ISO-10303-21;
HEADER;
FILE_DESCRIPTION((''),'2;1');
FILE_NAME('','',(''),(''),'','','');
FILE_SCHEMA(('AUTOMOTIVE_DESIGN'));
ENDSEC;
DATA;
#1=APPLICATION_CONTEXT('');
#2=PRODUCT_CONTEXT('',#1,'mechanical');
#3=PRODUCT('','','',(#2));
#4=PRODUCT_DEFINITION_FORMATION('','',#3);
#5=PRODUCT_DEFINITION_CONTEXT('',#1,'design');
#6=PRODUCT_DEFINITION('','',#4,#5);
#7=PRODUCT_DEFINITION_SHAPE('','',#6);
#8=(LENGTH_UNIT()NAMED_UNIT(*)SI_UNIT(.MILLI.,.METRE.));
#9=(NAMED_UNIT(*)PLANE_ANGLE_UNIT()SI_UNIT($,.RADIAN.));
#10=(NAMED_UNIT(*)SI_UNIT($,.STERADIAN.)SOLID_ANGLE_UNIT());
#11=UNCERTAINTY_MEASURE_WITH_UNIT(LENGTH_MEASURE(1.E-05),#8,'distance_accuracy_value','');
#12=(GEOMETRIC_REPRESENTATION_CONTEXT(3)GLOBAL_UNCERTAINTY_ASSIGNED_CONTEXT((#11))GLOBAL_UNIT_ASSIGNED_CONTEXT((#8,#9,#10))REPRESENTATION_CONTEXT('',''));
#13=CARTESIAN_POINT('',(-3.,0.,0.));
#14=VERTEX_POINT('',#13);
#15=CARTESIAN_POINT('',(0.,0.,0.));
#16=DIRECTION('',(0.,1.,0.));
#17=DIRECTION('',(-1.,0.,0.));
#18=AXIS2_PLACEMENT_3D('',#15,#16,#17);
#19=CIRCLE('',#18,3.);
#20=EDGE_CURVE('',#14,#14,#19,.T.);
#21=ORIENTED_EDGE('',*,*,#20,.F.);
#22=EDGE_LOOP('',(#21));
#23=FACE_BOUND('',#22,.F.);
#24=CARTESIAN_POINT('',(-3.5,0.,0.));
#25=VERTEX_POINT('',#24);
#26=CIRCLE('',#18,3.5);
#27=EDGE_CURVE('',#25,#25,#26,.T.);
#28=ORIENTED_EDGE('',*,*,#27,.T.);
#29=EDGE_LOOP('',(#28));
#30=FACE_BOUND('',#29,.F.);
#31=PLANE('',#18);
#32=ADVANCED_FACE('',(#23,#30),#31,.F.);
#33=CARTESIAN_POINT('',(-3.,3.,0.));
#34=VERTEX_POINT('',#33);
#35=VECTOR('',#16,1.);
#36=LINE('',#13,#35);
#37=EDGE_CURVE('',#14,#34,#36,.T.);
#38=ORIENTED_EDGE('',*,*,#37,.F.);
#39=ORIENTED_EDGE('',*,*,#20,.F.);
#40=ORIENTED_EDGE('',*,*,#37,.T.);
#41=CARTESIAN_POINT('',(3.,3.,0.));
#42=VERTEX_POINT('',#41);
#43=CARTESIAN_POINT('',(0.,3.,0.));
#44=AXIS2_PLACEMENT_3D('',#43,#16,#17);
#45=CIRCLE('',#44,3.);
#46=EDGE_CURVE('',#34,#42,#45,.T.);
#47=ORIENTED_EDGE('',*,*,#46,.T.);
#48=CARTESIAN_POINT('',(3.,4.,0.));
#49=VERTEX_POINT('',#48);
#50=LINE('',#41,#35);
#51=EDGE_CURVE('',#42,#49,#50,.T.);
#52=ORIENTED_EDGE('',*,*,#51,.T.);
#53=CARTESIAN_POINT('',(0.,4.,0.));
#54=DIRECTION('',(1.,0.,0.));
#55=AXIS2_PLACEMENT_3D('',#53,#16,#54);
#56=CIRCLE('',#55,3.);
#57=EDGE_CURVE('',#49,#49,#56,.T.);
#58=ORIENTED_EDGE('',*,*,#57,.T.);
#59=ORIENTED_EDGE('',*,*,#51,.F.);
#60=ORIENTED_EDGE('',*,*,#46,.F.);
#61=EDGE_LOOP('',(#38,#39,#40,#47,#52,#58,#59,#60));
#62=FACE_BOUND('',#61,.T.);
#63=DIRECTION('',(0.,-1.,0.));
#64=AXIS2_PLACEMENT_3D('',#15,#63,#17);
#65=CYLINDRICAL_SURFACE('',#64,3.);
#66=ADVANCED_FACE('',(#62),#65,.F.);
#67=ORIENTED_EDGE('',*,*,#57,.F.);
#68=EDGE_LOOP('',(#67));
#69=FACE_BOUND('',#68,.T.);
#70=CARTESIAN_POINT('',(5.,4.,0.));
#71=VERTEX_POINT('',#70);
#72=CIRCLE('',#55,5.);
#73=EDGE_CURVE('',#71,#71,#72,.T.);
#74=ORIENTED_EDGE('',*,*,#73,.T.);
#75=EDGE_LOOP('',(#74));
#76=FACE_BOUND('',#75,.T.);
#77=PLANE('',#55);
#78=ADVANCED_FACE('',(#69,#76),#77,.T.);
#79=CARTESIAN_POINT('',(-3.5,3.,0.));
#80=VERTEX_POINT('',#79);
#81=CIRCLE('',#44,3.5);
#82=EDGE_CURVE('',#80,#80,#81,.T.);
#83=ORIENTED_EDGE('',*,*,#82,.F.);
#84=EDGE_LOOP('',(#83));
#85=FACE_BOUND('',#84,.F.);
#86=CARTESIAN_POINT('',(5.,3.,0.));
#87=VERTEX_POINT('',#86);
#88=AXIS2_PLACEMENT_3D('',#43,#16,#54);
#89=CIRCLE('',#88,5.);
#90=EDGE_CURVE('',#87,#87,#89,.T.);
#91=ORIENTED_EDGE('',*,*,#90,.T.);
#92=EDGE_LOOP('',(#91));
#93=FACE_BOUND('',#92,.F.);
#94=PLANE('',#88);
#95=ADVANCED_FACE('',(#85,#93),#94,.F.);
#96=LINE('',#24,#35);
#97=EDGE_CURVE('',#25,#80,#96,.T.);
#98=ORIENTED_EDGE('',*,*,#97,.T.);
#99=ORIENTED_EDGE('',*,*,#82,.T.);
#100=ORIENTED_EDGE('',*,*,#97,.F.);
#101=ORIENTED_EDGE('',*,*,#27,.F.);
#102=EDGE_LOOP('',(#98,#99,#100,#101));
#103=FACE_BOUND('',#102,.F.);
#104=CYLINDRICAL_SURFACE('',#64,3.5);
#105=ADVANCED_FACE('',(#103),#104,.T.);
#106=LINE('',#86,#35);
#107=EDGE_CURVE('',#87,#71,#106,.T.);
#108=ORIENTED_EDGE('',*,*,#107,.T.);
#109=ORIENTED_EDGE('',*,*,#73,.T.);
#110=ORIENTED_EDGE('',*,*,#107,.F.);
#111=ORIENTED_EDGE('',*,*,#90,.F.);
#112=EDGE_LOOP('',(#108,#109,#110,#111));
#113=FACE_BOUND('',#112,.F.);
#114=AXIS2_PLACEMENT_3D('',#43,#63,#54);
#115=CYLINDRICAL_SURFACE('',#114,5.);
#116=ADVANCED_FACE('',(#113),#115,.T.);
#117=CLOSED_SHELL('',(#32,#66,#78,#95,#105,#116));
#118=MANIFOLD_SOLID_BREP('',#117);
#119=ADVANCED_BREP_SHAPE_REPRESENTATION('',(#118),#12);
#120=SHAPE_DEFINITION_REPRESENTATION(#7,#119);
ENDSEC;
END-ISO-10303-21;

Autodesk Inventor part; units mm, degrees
ref_plane "YZ Plane" through (0, 0, 0) normal (1, 0, 0) x (0, 1, 0)
ref_plane "XZ Plane" through (0, 0, 0) normal (0, 1, 0) x (-1, 0, 0)
ref_plane "XY Plane" through (0, 0, 0) normal (0, 0, 1) x (1, 0, 0)
sketch "Sketch1" plane through (0, 0, 0) normal (0, 1, 0) x (-1, 0, 0)
  circle A0 centre (0, 0) radius 3
  circle A1 centre (0, 0) radius 3.5
  dimension "d0" = 6
  dimension "d1" = 7
extrude "Extrusion1" add sketch "Sketch1" along normal blind 3
sketch "Sketch2" plane through (0, 3, 0) normal (0, 1, 0) x (1, 0, 0)
  circle A0 centre (0, 0) radius 6.5
  circle A1 centre (0, 0) radius 5
  circle A2 centre (0, 0) radius 3.5 projected
  circle A3 centre (0, 0) radius 3 projected
  dimension "d4" = 13
extrude "Extrusion2" add sketch "Sketch2" along normal blind 1 contours A1 | A2
sketch "Sketch3" plane through (0, 4, 0) normal (0, 1, 0) x (1, 0, 0)
  circle A0 centre (0, 0) radius 3 projected
properties part number "entrada_manguera_2"
